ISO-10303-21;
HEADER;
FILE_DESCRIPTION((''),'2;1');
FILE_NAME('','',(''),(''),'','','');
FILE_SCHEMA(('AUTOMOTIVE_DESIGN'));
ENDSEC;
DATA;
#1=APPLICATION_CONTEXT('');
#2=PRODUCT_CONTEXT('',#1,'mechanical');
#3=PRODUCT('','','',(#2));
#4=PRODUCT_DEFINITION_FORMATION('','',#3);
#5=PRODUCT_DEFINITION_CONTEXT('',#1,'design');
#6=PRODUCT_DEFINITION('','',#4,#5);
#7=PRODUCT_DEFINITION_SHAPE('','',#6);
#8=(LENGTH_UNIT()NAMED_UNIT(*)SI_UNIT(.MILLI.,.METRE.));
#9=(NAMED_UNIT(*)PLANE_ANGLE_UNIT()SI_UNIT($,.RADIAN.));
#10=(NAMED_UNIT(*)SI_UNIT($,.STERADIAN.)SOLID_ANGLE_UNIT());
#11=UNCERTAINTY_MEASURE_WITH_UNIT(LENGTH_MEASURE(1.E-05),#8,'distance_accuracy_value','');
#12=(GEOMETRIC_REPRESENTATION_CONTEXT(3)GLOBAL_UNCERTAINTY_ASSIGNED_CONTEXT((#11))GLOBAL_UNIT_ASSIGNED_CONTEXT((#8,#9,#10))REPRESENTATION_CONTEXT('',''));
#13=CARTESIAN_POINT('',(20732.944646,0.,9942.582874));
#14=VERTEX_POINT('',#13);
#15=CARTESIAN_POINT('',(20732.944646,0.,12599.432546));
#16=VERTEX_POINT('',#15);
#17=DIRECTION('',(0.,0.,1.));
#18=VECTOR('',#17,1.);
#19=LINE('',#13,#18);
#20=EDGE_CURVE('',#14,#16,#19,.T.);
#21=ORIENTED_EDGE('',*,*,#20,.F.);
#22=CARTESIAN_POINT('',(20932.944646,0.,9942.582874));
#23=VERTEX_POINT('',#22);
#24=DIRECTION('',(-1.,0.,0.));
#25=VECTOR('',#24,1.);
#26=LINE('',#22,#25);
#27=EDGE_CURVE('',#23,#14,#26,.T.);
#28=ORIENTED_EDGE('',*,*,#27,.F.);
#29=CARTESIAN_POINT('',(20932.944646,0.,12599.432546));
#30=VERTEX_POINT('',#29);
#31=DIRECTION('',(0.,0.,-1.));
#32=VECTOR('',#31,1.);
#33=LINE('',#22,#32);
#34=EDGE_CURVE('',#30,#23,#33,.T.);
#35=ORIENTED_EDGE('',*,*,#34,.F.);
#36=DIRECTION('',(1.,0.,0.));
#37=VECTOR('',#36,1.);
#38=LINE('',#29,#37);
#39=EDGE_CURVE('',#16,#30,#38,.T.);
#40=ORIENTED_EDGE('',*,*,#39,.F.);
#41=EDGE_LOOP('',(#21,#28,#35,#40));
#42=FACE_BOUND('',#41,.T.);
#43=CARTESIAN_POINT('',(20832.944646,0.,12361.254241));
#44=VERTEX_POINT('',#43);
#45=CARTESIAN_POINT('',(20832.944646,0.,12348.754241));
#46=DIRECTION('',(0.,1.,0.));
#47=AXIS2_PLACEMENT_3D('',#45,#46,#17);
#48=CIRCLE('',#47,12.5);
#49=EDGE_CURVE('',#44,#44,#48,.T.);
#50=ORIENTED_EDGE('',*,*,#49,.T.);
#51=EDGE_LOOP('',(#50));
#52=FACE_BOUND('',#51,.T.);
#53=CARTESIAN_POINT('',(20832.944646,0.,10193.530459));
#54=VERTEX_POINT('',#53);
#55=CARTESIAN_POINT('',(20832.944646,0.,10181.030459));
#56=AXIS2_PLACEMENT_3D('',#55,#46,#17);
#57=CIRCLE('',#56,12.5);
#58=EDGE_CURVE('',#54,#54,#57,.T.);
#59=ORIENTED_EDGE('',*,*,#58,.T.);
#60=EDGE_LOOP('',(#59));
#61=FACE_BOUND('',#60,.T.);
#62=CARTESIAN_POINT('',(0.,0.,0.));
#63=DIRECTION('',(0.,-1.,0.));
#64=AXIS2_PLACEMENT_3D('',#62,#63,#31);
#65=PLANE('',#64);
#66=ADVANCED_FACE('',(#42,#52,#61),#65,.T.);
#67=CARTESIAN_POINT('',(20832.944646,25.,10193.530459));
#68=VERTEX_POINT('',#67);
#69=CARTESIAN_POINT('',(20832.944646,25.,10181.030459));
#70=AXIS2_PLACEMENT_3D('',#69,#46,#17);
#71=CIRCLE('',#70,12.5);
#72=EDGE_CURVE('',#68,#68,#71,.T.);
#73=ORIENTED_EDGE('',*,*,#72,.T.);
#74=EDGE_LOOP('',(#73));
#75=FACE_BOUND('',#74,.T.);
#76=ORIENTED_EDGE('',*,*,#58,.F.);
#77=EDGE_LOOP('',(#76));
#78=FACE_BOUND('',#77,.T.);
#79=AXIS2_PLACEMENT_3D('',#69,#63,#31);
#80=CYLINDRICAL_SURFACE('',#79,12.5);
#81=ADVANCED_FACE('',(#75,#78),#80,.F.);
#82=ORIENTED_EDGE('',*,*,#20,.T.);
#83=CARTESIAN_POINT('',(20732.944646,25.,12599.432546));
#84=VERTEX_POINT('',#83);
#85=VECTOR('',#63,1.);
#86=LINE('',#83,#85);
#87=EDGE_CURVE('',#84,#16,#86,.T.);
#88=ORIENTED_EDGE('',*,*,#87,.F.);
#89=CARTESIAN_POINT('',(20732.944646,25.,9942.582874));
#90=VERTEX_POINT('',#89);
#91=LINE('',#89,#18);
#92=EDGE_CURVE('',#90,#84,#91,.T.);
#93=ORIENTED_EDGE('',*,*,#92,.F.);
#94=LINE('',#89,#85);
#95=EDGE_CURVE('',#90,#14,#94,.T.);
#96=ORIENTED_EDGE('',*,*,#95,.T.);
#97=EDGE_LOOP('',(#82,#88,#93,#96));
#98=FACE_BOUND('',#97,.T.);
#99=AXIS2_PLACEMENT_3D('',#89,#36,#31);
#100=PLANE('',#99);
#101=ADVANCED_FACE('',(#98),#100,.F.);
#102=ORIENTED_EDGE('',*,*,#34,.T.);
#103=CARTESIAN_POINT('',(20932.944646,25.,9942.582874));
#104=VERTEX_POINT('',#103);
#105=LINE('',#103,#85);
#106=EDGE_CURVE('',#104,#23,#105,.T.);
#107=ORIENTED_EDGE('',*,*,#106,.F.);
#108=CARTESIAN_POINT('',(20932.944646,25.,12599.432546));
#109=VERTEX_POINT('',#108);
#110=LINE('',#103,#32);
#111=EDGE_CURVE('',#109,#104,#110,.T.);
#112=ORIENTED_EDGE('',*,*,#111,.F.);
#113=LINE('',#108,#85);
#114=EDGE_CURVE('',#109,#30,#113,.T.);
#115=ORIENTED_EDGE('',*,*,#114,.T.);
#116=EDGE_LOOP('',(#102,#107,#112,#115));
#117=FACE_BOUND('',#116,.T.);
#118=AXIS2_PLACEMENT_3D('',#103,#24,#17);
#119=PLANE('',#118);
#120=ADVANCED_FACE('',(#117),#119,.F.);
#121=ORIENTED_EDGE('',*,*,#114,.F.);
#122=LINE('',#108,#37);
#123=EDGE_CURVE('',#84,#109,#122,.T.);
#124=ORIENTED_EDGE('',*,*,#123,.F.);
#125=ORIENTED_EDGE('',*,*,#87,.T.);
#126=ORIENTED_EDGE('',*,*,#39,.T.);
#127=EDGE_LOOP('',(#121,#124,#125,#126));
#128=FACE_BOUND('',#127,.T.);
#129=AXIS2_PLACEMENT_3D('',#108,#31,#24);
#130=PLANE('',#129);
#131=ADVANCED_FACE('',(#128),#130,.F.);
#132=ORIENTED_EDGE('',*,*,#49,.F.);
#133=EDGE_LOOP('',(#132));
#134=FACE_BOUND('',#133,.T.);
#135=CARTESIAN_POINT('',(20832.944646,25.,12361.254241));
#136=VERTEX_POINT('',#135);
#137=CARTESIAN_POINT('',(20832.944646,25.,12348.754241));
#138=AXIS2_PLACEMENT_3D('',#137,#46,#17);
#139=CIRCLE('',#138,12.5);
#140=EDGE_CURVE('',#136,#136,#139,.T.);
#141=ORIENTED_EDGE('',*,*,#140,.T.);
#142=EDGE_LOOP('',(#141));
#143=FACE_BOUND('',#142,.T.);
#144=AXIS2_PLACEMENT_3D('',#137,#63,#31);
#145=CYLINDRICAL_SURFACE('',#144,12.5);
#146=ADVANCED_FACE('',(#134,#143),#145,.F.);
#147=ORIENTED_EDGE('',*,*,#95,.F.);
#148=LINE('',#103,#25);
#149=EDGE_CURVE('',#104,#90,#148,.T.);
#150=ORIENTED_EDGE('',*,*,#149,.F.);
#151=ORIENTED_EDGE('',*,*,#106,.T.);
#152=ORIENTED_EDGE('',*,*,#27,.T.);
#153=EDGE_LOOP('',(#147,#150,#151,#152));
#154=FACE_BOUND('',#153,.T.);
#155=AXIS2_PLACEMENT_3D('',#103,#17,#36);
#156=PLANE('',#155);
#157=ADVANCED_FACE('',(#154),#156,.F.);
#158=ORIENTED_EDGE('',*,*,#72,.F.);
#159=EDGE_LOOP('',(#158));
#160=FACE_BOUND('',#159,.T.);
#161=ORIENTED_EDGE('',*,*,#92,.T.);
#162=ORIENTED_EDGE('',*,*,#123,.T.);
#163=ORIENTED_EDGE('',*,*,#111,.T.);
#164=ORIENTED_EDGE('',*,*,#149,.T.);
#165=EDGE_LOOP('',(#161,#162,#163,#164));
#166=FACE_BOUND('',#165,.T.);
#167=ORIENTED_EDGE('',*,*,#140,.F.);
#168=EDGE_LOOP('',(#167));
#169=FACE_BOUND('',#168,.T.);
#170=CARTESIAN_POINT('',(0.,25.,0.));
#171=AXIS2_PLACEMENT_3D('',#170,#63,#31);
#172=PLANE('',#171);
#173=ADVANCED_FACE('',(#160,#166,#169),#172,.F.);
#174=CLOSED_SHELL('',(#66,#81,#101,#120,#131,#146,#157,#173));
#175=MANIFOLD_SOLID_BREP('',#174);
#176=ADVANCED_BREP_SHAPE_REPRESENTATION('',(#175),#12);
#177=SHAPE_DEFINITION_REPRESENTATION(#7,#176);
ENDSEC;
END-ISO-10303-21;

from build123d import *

# Parameters (mm, degrees)
SKETCH4_W             = 200
SKETCH4_H             = 2933.573874127
SKETCH4_R             = 12.5
BOSS_EXTRUDE1_DEPTH   = 25
SKETCH4_H_2           = 2891.000919938
BOSS_EXTRUDE1_2_DEPTH = 25
SKETCH4_H_3           = 2656.8496719
BOSS_EXTRUDE1_3_DEPTH = 25
SKETCH4_H_4           = 2167.26069873
BOSS_EXTRUDE1_4_DEPTH = 25
SKETCH4_H_5           = 1693.636583381
BOSS_EXTRUDE1_5_DEPTH = 25
SKETCH5_W             = 2238.390785376
SKETCH5_H             = 5234.661915406
SKETCH5_W_2           = 2449.892276907
SKETCH5_H_2           = 4952.659926697
CUT_EXTRUDE1_DEPTH    = 26


with BuildPart() as part:
    # Sketch4 → Boss-Extrude1 (new body)
    with BuildSketch(Plane(origin=(0, 0, 0), x_dir=(1, 0, 0), z_dir=(0, 1, 0))):
        with Locations((23132.944645813, -11409.369811035)):
            Rectangle(SKETCH4_W, SKETCH4_H)
        with Locations((23132.944645813, -12678.089615367)):
            Circle(SKETCH4_R, mode=Mode.SUBTRACT)
        with Locations((23132.944645813, -10181.030459334)):
            Circle(SKETCH4_R, mode=Mode.SUBTRACT)
    extrude(amount=BOSS_EXTRUDE1_DEPTH)


with BuildPart() as body_2:
    # Sketch4 → Boss-Extrude1 2 (new body)
    with BuildSketch(Plane(origin=(0, 0, 0), x_dir=(1, 0, 0), z_dir=(0, 1, 0))):
        with Locations((22032.944645813, -11388.083333941)):
            Rectangle(SKETCH4_W, SKETCH4_H_2)
        with Locations((22032.944645813, -12621.228285175)):
            Circle(SKETCH4_R, mode=Mode.SUBTRACT)
        with Locations((22032.944645813, -10181.030459334)):
            Circle(SKETCH4_R, mode=Mode.SUBTRACT)
    extrude(amount=BOSS_EXTRUDE1_2_DEPTH)


with BuildPart() as body_3:
    # Sketch4 → Boss-Extrude1 3 (new body)
    with BuildSketch(Plane(origin=(0, 0, 0), x_dir=(1, 0, 0), z_dir=(0, 1, 0))):
        with Locations((20832.944645813, -11271.007709922)):
            Rectangle(SKETCH4_W, SKETCH4_H_3)
        with Locations((20832.944645813, -12348.754240871)):
            Circle(SKETCH4_R, mode=Mode.SUBTRACT)
        with Locations((20832.944645813, -10181.030459334)):
            Circle(SKETCH4_R, mode=Mode.SUBTRACT)
    extrude(amount=BOSS_EXTRUDE1_3_DEPTH)


with BuildPart() as body_4:
    # Sketch4 → Boss-Extrude1 4 (new body)
    with BuildSketch(Plane(origin=(0, 0, 0), x_dir=(1, 0, 0), z_dir=(0, 1, 0))):
        with Locations((19632.944645813, -11026.213223337)):
            Rectangle(SKETCH4_W, SKETCH4_H_4)
        with Locations((19632.944645813, -11826.915448153)):
            Circle(SKETCH4_R, mode=Mode.SUBTRACT)
        with Locations((19632.944645813, -10181.030459334)):
            Circle(SKETCH4_R, mode=Mode.SUBTRACT)
    extrude(amount=BOSS_EXTRUDE1_4_DEPTH)


with BuildPart() as body_5:
    # Sketch4 → Boss-Extrude1 5 (new body)
    with BuildSketch(Plane(origin=(0, 0, 0), x_dir=(1, 0, 0), z_dir=(0, 1, 0))):
        with Locations((18802.944645813, -10789.401165663)):
            Rectangle(SKETCH4_W, SKETCH4_H_5)
        with Locations((18802.944645813, -11283.669778774)):
            Circle(SKETCH4_R, mode=Mode.SUBTRACT)
        with Locations((18802.944645813, -10181.030459334)):
            Circle(SKETCH4_R, mode=Mode.SUBTRACT)
    extrude(amount=BOSS_EXTRUDE1_5_DEPTH)


with BuildPart() as cut_extrude1_tool:
    # Sketch5 → Cut-Extrude1 (new body, through all)
    with BuildSketch(Plane(origin=(0, 0, 0), x_dir=(1, 0, 0), z_dir=(0, 1, 0))):
        with Locations((22792.145010273, -11127.367822327)):
            Rectangle(SKETCH5_W, SKETCH5_H)
        with Locations((18879.36741694, -11479.870308213)):
            Rectangle(SKETCH5_W_2, SKETCH5_H_2)
    extrude(amount=CUT_EXTRUDE1_DEPTH)


with BuildPart() as part_1:
    add(part.part)

    # Cut-Extrude1: cut by cut_extrude1_tool
    add(cut_extrude1_tool.part, mode=Mode.SUBTRACT)


with BuildPart() as body_2_1:
    add(body_2.part)

    # Cut-Extrude1: cut by cut_extrude1_tool
    add(cut_extrude1_tool.part, mode=Mode.SUBTRACT)


with BuildPart() as body_4_1:
    add(body_4.part)

    # Cut-Extrude1: cut by cut_extrude1_tool
    add(cut_extrude1_tool.part, mode=Mode.SUBTRACT)


with BuildPart() as body_5_1:
    add(body_5.part)

    # Cut-Extrude1: cut by cut_extrude1_tool
    add(cut_extrude1_tool.part, mode=Mode.SUBTRACT)


solid = body_3.part
